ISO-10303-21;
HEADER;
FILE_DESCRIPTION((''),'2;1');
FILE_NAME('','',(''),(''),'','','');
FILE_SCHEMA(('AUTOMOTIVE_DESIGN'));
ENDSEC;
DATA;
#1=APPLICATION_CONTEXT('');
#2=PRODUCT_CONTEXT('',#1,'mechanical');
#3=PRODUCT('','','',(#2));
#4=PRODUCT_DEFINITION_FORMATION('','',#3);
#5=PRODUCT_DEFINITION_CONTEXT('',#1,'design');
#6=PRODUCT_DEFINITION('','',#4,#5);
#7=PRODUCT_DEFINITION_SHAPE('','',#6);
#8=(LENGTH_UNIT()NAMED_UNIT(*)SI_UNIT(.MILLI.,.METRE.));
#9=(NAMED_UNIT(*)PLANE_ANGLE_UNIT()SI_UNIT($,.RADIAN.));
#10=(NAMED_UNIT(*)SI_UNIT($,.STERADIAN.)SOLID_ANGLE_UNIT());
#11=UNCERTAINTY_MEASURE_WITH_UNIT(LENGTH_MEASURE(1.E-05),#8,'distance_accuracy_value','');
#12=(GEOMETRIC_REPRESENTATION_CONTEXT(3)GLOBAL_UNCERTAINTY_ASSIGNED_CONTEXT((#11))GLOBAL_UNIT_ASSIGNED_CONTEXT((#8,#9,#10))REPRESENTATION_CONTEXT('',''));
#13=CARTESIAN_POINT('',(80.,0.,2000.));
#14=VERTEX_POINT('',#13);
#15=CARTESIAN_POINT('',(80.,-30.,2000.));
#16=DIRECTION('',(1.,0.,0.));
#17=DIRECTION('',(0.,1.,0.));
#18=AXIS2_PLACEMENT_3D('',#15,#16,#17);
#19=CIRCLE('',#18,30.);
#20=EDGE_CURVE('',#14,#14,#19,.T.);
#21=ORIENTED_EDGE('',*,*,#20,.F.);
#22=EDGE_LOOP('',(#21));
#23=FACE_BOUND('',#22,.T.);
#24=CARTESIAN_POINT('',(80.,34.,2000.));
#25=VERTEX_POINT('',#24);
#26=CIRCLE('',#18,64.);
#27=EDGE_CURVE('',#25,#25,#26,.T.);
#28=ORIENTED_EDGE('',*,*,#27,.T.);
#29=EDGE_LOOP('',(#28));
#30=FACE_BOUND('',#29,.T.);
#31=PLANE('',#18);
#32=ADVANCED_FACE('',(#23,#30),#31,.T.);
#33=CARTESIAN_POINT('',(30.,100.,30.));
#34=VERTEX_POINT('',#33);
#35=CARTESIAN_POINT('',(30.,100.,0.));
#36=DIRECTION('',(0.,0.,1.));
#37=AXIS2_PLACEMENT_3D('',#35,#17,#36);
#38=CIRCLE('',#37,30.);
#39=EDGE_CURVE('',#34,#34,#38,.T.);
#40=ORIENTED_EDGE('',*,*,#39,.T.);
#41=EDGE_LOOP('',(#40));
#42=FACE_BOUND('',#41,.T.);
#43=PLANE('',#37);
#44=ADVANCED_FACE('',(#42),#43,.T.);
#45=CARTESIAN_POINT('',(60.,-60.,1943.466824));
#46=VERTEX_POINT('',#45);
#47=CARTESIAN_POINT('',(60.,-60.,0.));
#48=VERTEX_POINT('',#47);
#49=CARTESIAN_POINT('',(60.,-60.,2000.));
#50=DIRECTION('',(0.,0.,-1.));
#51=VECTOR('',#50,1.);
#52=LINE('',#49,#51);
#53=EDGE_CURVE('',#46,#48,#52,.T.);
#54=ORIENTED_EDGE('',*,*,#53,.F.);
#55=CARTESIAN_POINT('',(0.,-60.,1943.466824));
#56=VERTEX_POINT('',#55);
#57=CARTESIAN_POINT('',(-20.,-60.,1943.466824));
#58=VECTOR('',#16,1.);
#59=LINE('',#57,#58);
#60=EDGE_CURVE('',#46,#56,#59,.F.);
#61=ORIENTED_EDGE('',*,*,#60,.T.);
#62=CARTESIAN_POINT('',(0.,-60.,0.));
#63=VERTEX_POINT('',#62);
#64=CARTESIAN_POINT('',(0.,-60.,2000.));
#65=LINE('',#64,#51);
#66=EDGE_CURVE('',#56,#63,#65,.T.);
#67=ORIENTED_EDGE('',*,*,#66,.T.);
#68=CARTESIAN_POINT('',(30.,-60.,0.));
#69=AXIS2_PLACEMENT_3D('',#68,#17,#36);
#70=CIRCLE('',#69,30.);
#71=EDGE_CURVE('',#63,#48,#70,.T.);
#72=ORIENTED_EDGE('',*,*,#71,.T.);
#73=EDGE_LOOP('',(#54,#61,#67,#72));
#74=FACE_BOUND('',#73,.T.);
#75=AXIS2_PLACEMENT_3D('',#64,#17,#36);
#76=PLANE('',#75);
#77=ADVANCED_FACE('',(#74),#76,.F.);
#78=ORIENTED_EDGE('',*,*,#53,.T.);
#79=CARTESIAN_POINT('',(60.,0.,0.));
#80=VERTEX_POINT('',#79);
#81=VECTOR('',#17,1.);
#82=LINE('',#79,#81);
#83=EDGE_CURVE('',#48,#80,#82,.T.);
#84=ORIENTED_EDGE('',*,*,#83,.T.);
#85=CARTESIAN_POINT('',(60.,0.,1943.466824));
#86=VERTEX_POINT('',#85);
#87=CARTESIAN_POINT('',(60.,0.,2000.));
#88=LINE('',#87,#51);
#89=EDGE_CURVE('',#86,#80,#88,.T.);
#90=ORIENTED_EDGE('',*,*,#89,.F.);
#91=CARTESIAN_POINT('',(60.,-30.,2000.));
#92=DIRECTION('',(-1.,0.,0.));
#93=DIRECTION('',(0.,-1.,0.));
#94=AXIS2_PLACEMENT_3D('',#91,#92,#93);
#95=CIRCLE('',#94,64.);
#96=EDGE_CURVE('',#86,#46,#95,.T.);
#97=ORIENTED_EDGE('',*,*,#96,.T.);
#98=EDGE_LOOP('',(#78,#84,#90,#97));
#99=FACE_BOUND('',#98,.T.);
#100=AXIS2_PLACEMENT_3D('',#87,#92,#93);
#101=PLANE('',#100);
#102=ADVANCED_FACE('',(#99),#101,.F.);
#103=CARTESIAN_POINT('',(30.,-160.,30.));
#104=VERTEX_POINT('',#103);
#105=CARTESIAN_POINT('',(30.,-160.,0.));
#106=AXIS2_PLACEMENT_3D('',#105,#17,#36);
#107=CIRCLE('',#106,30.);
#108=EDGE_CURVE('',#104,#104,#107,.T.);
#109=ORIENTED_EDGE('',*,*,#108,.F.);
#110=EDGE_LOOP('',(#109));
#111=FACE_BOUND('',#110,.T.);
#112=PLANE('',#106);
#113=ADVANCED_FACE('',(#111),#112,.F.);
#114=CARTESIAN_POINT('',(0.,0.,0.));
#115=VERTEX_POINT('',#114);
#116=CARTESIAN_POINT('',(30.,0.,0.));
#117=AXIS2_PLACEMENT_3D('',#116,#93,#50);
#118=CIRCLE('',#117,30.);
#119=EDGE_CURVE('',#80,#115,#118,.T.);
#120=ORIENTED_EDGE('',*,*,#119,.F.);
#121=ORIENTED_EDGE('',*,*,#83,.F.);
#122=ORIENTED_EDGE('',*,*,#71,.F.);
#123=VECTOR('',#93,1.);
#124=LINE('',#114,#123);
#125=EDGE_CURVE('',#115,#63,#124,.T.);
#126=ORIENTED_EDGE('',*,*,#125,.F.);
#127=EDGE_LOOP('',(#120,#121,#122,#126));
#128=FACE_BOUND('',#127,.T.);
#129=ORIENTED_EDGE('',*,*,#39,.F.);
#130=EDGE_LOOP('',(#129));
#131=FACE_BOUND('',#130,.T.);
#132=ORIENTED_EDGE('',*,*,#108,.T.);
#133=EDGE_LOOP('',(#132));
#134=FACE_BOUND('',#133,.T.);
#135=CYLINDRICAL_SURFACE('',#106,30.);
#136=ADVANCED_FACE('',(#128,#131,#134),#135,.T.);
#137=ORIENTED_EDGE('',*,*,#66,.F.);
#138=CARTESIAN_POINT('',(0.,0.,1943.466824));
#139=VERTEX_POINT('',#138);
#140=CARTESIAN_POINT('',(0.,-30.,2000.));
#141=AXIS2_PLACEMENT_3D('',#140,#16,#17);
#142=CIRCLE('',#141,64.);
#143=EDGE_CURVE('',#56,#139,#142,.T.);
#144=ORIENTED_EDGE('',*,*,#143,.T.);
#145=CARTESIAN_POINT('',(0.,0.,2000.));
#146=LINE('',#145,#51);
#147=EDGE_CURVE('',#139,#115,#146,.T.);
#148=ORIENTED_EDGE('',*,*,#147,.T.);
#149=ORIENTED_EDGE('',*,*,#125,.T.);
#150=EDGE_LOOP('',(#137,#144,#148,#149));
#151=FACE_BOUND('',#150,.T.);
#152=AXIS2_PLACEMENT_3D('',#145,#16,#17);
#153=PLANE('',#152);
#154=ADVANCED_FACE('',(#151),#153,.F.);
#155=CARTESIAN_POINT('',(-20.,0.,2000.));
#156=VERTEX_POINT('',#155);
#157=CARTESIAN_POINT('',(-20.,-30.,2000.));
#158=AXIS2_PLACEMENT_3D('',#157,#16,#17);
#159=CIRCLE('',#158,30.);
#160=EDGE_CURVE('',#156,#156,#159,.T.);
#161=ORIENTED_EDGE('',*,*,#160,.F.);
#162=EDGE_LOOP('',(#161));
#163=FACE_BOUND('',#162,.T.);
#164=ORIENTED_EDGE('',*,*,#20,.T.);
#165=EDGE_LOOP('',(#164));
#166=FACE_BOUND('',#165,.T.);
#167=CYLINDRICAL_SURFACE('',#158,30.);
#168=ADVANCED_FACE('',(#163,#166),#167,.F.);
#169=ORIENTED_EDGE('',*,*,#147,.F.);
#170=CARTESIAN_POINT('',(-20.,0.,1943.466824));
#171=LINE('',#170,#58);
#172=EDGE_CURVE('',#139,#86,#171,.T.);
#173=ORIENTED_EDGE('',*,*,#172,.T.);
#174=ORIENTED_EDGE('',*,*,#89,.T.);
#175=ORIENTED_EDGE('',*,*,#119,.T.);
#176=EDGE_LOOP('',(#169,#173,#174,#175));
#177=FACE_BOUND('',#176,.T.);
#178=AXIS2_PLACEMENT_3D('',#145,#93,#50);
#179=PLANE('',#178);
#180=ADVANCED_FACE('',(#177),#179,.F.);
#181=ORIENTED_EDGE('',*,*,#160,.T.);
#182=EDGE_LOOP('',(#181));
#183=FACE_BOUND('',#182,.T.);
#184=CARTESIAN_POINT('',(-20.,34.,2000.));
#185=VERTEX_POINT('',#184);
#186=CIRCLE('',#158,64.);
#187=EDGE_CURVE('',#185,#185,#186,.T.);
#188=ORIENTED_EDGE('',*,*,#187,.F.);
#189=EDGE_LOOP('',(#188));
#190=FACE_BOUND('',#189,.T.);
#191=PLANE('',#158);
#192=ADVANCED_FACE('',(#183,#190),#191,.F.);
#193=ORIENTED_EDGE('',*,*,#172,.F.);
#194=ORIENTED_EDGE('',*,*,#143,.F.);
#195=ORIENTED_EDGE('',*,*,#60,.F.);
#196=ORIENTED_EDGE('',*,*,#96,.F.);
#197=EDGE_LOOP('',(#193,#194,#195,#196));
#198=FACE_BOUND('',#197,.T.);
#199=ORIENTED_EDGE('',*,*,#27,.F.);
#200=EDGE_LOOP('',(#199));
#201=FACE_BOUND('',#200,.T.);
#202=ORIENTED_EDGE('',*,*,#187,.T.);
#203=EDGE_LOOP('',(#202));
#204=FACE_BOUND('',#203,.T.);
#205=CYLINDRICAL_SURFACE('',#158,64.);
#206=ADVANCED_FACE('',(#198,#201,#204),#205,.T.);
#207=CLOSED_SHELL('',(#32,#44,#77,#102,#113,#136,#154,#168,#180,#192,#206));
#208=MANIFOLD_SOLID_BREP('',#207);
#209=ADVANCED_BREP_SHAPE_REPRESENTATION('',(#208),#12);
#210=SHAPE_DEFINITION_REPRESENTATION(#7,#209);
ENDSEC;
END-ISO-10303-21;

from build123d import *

# Parameters (mm, degrees)
SKETCH1_W                = 60
SKETCH1_H                = 60
BOSS_EXTRUDE1_DEPTH      = 2000
BOSS_EXTRUDE2_DEPTH      = 100
BOSS_EXTRUDE2_DEPTH_BACK = 160
SKETCH2_R                = 30
BOSS_EXTRUDE3_DEPTH      = 20
BOSS_EXTRUDE3_DEPTH_BACK = 80
SKETCH3_R                = 64
SKETCH3_R_2              = 30
SKETCH4_R                = 30
CUT_EXTRUDE1_DEPTH       = 360


with BuildPart() as part:
    # Sketch1 → Boss-Extrude1 (new body)
    with BuildSketch(Plane.XY):
        with Locations((30, -30)):
            Rectangle(SKETCH1_W, SKETCH1_H)
    extrude(amount=BOSS_EXTRUDE1_DEPTH)

    # Sketch2 → Boss-Extrude2 (add, two sides: drawn at the far end of the back side and taken through both)
    with BuildSketch(Plane(origin=(0, 0, 0), x_dir=(1, 0, 0), z_dir=(0, 1, 0)).offset(-BOSS_EXTRUDE2_DEPTH_BACK)):
        with Locations(Location((30, 0, 0), (0, 0, 270))):
            Circle(SKETCH2_R)
    extrude(amount=BOSS_EXTRUDE2_DEPTH + BOSS_EXTRUDE2_DEPTH_BACK)

    # Sketch3 → Boss-Extrude3 (add, two sides: drawn at the far end of the back side and taken through both)
    with BuildSketch(Plane(origin=(60, 0, 0), x_dir=(0, 0, -1), z_dir=(1, 0, 0)).offset(-BOSS_EXTRUDE3_DEPTH_BACK)):
        with Locations(Location((-2000, -30, 0), (0, 0, 90))):
            Circle(SKETCH3_R)
        with Locations(Location((-2000, -30, 0), (0, 0, 90))):
            Circle(SKETCH3_R_2, mode=Mode.SUBTRACT)
    extrude(amount=BOSS_EXTRUDE3_DEPTH + BOSS_EXTRUDE3_DEPTH_BACK)

    # Sketch4 → Cut-Extrude1 (cut)
    with BuildSketch(Plane(origin=(80, 0, 0), x_dir=(0, 0, -1), z_dir=(1, 0, 0))):
        with Locations(Location((-2000, -30, 0), (0, 0, 90))):
            Circle(SKETCH4_R)
    extrude(amount=-CUT_EXTRUDE1_DEPTH, mode=Mode.SUBTRACT)


solid = part.part
